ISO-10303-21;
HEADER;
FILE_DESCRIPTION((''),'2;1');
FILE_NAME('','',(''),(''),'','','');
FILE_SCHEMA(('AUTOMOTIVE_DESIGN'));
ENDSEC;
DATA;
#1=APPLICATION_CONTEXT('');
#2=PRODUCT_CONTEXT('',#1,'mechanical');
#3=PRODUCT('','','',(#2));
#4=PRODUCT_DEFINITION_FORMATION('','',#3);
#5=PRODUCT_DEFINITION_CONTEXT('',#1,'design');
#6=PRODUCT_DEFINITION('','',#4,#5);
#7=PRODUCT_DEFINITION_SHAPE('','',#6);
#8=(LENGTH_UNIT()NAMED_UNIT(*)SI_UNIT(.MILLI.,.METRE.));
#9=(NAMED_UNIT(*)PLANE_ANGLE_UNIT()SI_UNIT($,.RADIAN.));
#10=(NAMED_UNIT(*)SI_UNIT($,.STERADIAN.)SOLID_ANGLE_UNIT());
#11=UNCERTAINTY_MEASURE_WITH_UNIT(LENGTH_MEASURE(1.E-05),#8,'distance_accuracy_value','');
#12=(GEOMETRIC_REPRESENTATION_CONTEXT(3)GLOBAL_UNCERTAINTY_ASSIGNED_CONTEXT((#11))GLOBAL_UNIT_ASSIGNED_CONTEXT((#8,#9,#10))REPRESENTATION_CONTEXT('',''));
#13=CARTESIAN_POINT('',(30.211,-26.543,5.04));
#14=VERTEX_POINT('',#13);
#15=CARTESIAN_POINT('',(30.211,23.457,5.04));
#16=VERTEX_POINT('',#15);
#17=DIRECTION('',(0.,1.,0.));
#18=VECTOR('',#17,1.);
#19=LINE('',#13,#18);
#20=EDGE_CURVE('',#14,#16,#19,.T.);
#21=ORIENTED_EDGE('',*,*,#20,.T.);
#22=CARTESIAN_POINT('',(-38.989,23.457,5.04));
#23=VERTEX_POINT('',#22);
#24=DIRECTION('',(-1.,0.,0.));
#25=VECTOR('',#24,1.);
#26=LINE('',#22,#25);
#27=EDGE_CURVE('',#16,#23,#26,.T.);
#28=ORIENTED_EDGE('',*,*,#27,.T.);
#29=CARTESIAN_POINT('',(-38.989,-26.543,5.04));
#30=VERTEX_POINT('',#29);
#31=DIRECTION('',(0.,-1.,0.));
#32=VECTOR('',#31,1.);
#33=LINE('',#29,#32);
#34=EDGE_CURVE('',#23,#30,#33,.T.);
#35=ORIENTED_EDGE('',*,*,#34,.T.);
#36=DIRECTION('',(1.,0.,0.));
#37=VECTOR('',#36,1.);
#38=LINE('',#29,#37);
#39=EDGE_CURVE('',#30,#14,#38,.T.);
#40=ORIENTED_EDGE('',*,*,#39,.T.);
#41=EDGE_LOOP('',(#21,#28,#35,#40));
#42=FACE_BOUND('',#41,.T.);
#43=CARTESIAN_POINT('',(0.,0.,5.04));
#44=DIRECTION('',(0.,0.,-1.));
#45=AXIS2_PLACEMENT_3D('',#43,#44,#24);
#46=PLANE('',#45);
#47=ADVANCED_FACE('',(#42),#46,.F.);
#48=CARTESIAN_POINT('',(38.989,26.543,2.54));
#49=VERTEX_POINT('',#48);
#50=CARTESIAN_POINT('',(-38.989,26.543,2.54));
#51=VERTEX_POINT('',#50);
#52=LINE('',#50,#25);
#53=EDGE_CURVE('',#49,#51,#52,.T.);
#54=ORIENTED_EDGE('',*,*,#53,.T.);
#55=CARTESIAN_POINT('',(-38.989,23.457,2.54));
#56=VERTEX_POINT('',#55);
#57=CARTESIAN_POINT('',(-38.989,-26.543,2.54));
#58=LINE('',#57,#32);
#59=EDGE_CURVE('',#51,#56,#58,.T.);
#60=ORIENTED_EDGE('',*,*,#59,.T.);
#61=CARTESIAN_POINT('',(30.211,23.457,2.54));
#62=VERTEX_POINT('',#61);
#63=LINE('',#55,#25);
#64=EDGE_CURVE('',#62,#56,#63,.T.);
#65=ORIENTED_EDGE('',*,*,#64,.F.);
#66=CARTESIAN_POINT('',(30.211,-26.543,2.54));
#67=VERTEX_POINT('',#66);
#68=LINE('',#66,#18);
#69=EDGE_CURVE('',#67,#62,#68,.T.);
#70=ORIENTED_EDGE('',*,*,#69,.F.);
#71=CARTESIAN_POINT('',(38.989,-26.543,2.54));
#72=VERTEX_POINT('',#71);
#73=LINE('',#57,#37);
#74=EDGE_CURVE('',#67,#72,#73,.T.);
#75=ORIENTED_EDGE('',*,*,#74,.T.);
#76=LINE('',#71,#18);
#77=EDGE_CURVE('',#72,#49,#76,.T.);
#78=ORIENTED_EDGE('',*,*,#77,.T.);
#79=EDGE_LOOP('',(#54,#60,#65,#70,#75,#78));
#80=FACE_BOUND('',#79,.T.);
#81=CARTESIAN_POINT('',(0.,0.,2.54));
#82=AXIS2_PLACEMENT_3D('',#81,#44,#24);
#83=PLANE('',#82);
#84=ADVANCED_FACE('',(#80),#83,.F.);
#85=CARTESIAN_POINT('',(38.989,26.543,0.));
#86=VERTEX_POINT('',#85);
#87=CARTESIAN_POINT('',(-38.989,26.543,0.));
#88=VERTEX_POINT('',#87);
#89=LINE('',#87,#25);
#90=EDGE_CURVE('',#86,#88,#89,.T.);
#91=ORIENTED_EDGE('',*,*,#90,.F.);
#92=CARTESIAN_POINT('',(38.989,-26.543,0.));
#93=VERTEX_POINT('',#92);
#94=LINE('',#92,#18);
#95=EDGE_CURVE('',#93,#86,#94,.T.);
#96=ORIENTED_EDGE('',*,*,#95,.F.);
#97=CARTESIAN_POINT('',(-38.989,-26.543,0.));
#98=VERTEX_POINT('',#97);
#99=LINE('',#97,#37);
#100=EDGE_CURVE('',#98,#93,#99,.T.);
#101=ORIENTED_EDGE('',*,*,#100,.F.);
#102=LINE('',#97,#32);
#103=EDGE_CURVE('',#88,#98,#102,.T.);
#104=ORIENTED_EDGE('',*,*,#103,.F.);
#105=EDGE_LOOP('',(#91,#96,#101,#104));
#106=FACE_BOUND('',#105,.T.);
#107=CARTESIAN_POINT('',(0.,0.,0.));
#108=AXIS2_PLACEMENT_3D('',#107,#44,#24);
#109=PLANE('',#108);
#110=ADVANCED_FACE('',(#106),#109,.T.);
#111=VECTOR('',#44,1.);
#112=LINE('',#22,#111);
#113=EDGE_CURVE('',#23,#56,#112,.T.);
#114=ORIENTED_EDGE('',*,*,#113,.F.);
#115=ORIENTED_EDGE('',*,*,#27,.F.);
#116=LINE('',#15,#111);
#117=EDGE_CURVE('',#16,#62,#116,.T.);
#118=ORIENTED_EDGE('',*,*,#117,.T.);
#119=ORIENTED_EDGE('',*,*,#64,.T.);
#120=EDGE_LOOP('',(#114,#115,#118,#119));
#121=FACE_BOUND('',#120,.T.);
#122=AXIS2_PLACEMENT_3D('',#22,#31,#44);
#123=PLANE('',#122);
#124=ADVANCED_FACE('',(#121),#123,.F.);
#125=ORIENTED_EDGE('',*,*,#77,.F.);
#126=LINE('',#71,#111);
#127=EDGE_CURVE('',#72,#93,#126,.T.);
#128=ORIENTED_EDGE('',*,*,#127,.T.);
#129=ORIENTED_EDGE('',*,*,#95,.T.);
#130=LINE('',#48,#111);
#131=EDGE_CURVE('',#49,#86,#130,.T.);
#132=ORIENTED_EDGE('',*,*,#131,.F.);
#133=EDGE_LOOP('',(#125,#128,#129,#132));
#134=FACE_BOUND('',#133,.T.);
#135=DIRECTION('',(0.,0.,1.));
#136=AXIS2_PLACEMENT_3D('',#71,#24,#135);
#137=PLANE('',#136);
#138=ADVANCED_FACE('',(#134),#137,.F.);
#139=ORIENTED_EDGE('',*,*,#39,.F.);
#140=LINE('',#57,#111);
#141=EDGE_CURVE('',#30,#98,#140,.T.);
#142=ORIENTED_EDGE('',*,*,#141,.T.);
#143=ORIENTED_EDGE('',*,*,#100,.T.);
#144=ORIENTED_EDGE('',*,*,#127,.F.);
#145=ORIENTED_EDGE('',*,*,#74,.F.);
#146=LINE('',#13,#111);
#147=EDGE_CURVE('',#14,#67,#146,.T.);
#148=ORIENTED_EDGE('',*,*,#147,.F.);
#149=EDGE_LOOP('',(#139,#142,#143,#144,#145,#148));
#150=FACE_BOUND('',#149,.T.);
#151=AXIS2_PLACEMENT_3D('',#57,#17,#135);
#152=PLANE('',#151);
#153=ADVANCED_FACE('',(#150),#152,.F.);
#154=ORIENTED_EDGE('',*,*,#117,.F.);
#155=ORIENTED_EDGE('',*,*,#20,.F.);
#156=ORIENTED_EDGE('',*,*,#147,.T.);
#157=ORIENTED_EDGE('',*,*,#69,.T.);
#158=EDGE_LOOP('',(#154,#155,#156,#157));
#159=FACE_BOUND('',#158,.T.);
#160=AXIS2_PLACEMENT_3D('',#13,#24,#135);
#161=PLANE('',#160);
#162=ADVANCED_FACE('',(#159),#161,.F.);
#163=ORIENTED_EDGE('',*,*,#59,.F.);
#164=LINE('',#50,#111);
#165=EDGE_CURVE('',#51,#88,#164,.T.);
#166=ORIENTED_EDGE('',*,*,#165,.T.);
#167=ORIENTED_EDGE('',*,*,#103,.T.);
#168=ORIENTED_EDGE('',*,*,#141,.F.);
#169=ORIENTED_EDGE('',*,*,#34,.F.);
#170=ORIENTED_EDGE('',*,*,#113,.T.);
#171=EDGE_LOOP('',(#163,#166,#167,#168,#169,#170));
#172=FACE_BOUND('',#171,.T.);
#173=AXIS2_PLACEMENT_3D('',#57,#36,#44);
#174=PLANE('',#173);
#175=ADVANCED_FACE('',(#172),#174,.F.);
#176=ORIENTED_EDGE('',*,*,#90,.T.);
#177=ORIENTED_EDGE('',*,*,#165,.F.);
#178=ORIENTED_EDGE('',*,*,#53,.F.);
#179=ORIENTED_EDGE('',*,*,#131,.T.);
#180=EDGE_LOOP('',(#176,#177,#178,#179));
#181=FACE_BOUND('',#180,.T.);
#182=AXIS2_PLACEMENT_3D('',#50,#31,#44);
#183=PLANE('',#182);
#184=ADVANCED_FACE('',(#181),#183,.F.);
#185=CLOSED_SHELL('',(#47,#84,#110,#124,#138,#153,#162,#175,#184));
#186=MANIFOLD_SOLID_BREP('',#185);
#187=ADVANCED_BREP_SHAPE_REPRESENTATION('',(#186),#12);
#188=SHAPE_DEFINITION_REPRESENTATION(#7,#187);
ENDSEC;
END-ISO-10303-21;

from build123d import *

# Parameters (mm, degrees)
SKETCH1_W           = 77.978
SKETCH1_H           = 53.086
BOSS_EXTRUDE1_DEPTH = 2.54
SKETCH2_W           = 69.2
SKETCH2_H           = 50
BOSS_EXTRUDE2_DEPTH = 2.5


with BuildPart() as part:
    # Sketch1 → Boss-Extrude1 (new body)
    with BuildSketch(Plane.XY):
        Rectangle(SKETCH1_W, SKETCH1_H)
    extrude(amount=BOSS_EXTRUDE1_DEPTH)

    # Sketch2 → Boss-Extrude2 (add)
    with BuildSketch(Plane.XY.offset(2.54)):
        with Locations((-4.389, -1.543)):
            Rectangle(SKETCH2_W, SKETCH2_H)
    extrude(amount=BOSS_EXTRUDE2_DEPTH)


solid = part.part
